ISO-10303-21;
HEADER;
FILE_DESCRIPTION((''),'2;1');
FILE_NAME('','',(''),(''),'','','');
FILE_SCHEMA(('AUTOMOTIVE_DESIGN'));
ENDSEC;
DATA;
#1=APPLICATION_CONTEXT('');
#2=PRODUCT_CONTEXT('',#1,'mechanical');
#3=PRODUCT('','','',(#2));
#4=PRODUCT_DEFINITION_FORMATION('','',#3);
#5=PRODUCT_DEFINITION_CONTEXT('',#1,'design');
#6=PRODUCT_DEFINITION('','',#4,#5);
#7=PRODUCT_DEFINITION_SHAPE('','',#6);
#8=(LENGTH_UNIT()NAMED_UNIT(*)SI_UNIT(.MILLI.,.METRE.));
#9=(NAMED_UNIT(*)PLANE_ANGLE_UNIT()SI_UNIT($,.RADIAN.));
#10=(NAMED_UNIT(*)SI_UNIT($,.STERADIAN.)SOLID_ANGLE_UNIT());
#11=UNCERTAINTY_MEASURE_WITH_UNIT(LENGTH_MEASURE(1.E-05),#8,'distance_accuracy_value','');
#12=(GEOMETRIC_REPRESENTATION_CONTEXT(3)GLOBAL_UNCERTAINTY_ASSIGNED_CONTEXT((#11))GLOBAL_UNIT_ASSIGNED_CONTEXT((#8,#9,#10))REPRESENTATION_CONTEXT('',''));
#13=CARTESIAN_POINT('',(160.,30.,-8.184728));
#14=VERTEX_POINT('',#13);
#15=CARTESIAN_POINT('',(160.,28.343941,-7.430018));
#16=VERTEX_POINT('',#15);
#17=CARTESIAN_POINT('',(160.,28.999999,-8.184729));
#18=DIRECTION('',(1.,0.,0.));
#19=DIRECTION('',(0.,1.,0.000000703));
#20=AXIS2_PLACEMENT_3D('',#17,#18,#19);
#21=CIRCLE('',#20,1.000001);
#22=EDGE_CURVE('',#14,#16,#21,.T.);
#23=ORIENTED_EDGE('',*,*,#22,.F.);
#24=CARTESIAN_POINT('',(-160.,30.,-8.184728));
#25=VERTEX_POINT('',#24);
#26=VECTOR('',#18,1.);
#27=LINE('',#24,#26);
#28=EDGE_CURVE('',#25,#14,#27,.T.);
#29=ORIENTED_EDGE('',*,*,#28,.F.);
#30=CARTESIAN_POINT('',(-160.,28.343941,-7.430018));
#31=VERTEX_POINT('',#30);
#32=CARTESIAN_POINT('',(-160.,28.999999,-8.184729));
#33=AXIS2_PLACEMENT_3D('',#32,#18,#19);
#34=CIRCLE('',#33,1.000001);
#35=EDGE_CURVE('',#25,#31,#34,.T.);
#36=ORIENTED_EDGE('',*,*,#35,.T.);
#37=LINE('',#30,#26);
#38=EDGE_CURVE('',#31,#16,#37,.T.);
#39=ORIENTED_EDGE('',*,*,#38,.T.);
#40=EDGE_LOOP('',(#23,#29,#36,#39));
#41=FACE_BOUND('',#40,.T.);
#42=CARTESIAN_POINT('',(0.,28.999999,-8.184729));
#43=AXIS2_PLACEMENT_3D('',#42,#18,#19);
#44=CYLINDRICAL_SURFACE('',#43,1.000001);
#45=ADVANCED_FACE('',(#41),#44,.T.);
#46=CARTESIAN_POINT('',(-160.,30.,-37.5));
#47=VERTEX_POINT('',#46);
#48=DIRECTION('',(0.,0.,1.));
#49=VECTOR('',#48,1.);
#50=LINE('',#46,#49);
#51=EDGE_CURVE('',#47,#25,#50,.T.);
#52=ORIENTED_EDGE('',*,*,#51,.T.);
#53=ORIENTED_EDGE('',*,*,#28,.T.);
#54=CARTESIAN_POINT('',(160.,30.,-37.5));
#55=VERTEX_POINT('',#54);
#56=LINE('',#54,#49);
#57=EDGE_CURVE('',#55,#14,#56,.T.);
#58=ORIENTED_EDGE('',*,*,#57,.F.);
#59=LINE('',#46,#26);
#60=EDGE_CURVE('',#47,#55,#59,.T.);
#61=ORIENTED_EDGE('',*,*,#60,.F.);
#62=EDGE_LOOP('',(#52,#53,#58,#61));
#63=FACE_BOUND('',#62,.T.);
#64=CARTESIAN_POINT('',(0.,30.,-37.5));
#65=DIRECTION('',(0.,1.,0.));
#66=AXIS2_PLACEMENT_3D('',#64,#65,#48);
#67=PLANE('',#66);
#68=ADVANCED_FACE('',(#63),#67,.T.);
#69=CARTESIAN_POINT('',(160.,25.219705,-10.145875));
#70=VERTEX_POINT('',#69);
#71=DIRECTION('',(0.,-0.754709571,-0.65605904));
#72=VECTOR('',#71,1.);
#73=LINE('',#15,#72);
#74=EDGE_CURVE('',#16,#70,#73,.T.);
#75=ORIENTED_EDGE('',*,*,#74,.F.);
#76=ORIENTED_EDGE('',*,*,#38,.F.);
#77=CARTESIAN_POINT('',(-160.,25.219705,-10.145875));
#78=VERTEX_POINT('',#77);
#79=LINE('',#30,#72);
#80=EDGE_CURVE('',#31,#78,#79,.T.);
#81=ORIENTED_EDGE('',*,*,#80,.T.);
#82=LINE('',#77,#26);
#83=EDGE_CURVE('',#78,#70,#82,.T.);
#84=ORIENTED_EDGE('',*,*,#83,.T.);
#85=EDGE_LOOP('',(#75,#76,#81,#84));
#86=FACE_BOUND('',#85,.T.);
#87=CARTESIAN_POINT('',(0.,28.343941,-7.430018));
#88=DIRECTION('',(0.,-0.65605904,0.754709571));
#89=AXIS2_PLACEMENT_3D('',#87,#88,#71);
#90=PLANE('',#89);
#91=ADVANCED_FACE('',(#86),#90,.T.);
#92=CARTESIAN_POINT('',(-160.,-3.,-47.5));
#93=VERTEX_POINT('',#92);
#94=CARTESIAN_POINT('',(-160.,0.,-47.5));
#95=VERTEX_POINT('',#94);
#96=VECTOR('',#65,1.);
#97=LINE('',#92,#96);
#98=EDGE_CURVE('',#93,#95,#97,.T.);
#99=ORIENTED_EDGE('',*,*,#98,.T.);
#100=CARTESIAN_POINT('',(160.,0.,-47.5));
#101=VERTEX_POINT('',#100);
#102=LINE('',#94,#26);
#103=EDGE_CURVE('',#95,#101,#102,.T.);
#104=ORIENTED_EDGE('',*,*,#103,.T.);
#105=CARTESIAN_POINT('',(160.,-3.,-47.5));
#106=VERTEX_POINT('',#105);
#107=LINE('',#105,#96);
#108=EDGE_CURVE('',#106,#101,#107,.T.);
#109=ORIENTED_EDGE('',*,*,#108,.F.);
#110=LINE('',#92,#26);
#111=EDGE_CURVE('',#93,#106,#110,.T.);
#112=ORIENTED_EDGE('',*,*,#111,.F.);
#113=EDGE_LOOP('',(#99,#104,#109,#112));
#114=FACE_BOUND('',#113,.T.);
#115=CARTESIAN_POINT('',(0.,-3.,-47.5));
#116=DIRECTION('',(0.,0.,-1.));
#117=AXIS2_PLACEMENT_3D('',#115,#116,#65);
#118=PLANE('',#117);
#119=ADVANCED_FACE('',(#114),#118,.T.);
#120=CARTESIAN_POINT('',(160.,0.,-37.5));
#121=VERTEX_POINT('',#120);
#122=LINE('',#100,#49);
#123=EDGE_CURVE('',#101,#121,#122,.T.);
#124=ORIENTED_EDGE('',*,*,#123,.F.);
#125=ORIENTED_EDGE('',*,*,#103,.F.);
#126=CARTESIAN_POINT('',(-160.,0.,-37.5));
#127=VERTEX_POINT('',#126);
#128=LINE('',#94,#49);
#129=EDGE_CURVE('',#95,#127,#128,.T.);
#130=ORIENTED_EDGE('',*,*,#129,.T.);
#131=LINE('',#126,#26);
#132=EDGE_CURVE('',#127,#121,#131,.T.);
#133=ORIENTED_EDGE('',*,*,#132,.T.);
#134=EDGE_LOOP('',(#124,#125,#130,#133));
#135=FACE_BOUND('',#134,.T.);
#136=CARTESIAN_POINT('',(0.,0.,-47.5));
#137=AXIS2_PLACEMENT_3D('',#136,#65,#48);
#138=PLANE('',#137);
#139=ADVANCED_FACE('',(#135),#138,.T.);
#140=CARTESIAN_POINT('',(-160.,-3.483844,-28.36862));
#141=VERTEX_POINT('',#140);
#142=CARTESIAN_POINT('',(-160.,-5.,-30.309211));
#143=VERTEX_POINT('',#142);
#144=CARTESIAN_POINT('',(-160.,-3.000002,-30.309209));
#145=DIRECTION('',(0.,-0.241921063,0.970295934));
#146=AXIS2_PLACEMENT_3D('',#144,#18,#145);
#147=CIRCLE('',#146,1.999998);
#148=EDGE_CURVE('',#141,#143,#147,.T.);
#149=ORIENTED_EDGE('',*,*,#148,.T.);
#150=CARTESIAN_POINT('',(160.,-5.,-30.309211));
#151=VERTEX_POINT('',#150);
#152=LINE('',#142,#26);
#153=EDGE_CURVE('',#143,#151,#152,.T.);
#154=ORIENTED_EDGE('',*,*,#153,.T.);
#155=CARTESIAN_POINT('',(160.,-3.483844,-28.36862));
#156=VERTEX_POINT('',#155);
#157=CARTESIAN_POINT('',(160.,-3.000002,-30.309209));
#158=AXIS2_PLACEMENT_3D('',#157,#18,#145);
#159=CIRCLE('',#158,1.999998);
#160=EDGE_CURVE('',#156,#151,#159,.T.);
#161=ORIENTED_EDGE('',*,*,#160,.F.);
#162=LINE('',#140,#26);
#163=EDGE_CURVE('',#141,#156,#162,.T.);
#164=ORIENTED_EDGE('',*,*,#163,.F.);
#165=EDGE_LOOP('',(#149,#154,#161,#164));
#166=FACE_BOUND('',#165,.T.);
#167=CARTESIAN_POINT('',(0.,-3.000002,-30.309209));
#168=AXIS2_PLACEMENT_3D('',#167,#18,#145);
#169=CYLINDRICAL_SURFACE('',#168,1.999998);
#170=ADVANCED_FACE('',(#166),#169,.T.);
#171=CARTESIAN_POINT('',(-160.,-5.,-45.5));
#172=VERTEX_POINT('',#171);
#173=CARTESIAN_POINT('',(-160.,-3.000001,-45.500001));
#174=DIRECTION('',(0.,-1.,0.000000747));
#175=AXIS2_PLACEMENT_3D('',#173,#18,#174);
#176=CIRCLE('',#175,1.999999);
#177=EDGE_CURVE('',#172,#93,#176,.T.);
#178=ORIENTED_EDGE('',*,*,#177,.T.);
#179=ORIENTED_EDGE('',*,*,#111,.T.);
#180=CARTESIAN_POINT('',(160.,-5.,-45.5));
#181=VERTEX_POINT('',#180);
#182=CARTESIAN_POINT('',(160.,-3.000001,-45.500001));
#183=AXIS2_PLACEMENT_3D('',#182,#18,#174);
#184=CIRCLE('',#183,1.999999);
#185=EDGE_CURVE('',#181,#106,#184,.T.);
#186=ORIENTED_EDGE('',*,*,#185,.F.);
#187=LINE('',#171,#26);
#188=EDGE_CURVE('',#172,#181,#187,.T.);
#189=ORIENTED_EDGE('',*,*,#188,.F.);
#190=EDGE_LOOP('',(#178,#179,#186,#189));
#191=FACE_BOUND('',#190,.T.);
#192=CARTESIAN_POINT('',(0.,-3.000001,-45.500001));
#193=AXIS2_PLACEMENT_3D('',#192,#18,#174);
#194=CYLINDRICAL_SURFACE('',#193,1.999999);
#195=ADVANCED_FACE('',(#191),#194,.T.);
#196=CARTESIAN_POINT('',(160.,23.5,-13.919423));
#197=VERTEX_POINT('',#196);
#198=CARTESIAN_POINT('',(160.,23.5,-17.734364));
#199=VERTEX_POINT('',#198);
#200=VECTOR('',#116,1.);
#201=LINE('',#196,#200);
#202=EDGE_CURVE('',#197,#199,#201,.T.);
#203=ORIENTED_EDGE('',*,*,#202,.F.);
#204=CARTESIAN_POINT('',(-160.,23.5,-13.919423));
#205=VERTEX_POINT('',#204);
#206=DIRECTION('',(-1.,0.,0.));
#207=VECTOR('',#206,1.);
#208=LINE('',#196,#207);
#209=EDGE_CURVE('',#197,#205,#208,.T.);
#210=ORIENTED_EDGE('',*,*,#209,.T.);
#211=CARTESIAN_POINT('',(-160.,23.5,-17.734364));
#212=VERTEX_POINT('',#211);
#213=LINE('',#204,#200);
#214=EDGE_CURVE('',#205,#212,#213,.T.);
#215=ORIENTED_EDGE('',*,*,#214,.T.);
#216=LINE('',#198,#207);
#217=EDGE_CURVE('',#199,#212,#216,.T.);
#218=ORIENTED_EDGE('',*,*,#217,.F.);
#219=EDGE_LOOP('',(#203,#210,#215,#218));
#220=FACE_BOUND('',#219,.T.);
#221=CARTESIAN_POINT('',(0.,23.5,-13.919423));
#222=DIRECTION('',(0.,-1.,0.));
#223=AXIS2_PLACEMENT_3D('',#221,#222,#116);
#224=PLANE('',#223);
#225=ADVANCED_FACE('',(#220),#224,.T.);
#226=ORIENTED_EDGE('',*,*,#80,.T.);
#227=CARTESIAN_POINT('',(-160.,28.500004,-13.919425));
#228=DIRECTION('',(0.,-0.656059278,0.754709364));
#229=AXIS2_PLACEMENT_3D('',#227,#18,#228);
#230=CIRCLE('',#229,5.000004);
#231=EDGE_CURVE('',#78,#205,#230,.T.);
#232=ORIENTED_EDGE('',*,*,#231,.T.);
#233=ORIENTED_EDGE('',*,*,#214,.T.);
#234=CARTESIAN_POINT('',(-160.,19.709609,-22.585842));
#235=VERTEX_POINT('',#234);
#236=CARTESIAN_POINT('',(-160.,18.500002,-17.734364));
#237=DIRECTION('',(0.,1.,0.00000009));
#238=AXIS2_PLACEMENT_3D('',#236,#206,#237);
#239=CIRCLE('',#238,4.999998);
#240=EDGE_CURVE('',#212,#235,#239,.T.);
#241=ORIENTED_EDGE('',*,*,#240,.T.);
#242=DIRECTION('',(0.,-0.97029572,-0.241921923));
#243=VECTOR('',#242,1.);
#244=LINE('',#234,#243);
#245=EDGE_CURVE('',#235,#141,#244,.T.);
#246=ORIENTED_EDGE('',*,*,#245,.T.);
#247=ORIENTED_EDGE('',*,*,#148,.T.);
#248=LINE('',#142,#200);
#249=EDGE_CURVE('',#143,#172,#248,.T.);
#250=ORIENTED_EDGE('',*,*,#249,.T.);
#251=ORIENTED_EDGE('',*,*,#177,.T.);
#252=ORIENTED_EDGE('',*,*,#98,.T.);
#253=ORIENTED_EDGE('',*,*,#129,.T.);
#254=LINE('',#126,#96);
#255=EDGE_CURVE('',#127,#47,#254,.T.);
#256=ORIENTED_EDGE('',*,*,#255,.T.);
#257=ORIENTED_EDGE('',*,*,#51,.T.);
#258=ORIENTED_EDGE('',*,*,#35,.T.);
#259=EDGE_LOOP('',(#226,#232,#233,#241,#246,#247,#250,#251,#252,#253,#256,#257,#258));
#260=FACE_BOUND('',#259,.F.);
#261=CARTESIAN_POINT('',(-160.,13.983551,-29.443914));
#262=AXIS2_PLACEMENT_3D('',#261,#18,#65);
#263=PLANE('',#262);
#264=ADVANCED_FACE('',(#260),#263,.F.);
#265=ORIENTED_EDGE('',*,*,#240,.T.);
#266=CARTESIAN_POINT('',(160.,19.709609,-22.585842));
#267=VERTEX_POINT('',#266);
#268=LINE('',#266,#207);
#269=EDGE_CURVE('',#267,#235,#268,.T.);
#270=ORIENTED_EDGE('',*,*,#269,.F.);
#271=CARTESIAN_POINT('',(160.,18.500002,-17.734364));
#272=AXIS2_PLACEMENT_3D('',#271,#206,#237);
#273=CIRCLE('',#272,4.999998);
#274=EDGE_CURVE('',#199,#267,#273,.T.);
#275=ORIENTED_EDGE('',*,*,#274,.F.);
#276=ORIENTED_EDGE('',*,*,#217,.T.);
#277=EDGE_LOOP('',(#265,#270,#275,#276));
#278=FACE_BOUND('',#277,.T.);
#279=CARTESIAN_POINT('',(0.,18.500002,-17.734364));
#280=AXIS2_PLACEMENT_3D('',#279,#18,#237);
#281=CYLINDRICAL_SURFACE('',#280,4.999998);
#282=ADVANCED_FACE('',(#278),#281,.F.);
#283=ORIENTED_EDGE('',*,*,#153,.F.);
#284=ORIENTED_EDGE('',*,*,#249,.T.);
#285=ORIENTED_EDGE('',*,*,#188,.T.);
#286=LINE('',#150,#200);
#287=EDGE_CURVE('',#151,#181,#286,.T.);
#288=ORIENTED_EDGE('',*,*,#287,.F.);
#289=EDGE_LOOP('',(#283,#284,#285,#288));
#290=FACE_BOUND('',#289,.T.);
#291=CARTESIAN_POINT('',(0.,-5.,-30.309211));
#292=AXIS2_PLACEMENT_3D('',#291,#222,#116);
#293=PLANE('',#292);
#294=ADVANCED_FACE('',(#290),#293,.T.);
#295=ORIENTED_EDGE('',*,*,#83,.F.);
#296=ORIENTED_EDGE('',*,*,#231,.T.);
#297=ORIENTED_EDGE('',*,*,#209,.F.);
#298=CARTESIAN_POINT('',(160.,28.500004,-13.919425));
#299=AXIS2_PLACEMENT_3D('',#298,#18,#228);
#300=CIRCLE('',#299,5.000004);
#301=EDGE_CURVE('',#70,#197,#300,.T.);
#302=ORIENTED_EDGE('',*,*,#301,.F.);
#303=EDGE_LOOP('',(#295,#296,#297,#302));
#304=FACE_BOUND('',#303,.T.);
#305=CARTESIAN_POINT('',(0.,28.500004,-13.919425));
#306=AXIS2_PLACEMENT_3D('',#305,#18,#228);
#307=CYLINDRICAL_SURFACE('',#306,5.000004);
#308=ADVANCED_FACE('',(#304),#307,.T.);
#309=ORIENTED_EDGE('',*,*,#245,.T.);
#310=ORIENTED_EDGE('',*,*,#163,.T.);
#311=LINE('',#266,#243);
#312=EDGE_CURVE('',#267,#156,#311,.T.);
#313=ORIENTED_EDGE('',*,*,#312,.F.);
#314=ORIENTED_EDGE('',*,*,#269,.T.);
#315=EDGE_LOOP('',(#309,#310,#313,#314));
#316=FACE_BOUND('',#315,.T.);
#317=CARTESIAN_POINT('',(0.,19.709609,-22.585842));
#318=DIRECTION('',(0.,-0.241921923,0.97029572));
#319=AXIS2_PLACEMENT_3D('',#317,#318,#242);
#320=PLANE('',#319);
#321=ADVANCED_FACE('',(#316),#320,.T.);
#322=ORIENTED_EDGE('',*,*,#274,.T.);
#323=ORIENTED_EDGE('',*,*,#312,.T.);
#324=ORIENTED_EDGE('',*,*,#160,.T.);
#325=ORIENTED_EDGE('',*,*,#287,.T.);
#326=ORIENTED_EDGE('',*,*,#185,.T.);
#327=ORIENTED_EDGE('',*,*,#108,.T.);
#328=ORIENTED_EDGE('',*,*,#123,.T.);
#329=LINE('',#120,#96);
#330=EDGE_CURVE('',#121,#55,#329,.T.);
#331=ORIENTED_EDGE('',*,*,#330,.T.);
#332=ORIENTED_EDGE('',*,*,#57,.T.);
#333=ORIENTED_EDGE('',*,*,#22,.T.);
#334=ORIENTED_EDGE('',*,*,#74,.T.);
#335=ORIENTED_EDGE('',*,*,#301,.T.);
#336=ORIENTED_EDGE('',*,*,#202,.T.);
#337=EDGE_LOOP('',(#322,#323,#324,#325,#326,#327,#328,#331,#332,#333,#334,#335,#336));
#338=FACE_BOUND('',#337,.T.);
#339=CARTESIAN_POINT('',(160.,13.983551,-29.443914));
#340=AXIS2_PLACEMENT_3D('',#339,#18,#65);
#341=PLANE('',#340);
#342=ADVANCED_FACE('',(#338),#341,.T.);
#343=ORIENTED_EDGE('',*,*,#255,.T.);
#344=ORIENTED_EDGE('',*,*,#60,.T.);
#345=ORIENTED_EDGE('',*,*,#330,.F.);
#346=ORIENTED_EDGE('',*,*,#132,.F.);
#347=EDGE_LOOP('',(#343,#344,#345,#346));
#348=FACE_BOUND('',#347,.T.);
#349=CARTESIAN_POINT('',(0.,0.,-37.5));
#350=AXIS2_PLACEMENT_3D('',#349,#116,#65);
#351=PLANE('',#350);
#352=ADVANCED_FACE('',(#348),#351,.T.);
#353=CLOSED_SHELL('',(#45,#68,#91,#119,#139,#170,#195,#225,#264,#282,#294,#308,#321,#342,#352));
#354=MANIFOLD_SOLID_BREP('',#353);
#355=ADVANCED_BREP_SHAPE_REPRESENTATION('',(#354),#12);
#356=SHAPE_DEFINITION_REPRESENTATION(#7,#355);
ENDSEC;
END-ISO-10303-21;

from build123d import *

# Parameters (mm, degrees)
F2_DEPTH = 160


with BuildPart() as f2:
    # F1 (on Right) → F2 (new body, symmetric)
    with BuildSketch(Plane.YZ):
        with BuildLine():
            Line((19.709609, -22.585842), (-3.483844, -28.36862))
            ThreePointArc((-3.483844, -28.36862), (-4.576022, -29.077888), (-5, -30.309211))
            Line((-5, -30.309211), (-5, -45.5))
            ThreePointArc((-5, -45.5), (-4.414214, -46.914214), (-3, -47.5))
            Line((-3, -47.5), (0, -47.5))
            Line((0, -47.5), (0, -37.5))
            Line((0, -37.5), (30, -37.5))
            Line((30, -37.5), (30, -8.184728))
            ThreePointArc((30, -8.184728), (29.414693, -7.274767), (28.343941, -7.430018))
            Line((28.343941, -7.430018), (25.219705, -10.145875))
            ThreePointArc((25.219705, -10.145875), (23.950194, -11.845957), (23.5, -13.919423))
            Line((23.5, -13.919423), (23.5, -17.734364))
            ThreePointArc((23.5, -17.734364), (22.440054, -20.812671), (19.709609, -22.585842))
        make_face()
    extrude(amount=F2_DEPTH, both=True)


solid = f2.part
